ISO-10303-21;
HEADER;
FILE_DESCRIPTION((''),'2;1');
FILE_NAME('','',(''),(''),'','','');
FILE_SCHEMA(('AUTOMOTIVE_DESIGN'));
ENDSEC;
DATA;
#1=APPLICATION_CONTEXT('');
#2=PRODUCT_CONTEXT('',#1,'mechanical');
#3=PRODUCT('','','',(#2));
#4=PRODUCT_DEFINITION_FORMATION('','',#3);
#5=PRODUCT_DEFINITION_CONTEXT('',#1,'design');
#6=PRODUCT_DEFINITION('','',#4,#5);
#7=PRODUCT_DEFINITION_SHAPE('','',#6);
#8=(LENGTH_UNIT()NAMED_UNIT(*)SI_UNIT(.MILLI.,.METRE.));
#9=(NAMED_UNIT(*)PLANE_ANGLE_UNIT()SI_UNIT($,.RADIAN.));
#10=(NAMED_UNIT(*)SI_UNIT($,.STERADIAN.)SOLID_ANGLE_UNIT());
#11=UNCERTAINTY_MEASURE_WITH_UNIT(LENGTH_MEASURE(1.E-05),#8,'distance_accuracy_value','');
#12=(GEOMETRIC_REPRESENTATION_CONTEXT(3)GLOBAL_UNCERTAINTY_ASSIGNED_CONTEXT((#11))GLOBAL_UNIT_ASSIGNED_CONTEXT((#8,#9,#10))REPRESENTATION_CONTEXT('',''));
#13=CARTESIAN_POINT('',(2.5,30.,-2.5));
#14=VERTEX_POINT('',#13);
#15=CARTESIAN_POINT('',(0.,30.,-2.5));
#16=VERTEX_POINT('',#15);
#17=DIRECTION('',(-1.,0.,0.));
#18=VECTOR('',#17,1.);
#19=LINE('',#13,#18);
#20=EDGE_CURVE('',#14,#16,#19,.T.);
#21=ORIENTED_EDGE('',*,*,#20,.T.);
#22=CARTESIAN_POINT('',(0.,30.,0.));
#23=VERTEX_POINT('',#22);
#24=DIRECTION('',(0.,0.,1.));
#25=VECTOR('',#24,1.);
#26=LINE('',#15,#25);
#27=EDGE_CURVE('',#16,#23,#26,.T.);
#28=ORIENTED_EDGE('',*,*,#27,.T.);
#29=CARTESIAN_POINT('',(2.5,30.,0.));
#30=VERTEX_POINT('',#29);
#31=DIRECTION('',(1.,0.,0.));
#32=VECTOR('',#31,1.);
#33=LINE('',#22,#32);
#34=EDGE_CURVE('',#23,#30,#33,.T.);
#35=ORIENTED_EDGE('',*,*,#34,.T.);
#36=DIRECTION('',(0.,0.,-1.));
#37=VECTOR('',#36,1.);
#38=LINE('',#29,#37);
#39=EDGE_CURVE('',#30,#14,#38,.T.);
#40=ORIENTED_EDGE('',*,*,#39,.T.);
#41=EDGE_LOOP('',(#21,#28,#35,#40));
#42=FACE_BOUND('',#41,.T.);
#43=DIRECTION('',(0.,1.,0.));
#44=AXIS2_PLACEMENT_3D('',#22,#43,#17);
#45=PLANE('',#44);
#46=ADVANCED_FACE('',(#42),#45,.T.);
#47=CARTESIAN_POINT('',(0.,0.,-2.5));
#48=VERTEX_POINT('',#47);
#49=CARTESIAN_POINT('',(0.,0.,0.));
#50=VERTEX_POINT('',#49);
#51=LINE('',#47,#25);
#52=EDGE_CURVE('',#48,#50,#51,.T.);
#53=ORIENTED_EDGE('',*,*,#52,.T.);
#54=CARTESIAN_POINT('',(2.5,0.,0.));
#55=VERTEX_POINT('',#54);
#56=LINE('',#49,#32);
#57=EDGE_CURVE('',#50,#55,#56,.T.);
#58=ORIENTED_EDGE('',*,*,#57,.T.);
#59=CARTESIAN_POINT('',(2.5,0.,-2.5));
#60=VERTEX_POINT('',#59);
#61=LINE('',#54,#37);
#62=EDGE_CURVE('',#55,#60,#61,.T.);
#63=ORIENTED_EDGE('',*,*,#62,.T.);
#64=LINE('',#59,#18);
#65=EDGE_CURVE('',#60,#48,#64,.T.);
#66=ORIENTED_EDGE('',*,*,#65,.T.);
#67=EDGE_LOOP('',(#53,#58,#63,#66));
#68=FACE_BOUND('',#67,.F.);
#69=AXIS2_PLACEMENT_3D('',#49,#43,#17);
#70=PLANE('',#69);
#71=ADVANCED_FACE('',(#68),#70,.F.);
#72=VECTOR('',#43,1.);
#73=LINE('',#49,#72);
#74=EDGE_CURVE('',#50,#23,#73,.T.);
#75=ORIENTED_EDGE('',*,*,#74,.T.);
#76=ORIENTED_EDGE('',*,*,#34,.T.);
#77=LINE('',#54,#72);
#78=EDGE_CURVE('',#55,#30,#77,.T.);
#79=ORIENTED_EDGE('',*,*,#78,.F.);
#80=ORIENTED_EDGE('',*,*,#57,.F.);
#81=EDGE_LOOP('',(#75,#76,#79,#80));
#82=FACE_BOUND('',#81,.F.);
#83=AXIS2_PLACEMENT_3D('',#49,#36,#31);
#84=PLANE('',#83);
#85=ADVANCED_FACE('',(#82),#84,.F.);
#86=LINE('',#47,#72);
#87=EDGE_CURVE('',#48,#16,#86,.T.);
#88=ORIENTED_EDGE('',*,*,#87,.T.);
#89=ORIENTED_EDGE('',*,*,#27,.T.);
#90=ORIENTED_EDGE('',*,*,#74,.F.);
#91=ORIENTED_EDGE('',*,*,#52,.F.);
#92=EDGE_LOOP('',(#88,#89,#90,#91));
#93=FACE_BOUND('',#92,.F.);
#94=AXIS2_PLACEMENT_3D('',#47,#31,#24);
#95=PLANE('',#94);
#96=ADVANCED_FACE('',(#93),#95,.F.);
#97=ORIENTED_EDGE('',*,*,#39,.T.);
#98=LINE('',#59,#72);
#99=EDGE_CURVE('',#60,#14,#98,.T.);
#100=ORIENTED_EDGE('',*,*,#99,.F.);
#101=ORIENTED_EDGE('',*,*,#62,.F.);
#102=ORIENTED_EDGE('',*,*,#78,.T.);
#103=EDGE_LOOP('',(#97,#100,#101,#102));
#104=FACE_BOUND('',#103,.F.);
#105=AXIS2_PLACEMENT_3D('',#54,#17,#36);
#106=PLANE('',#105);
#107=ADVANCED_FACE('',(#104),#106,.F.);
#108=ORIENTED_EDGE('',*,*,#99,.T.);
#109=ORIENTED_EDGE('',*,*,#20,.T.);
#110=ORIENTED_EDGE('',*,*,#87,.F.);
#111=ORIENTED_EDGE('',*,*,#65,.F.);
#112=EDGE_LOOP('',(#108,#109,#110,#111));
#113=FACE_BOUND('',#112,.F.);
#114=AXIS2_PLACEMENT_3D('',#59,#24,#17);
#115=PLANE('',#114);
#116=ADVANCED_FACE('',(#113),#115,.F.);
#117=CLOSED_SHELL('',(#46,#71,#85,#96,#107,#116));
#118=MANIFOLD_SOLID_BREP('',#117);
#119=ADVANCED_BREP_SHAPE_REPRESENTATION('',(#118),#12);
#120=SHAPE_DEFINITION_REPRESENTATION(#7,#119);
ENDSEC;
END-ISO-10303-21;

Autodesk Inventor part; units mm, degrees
ref_plane "YZ Plane" through (0, 0, 0) normal (1, 0, 0) x (0, 1, 0)
ref_plane "XZ Plane" through (0, 0, 0) normal (0, 1, 0) x (-1, 0, 0)
ref_plane "XY Plane" through (0, 0, 0) normal (0, 0, 1) x (1, 0, 0)
sketch "스케치1" plane through (0, 0, 0) normal (0, 1, 0) x (-1, 0, 0)
  line L0 (0, 0) -> (-2.5, 0)
  line L1 (-2.5, 0) -> (-2.5, -2.5)
  line L2 (-2.5, -2.5) -> (0, -2.5)
  line L3 (0, -2.5) -> (0, 0)
  dimension "d0" = 2.5
  dimension "d1" = 2.5
extrude "돌출1" add sketch "스케치1" along normal blind 30
properties part number "valve_mount_pin"
